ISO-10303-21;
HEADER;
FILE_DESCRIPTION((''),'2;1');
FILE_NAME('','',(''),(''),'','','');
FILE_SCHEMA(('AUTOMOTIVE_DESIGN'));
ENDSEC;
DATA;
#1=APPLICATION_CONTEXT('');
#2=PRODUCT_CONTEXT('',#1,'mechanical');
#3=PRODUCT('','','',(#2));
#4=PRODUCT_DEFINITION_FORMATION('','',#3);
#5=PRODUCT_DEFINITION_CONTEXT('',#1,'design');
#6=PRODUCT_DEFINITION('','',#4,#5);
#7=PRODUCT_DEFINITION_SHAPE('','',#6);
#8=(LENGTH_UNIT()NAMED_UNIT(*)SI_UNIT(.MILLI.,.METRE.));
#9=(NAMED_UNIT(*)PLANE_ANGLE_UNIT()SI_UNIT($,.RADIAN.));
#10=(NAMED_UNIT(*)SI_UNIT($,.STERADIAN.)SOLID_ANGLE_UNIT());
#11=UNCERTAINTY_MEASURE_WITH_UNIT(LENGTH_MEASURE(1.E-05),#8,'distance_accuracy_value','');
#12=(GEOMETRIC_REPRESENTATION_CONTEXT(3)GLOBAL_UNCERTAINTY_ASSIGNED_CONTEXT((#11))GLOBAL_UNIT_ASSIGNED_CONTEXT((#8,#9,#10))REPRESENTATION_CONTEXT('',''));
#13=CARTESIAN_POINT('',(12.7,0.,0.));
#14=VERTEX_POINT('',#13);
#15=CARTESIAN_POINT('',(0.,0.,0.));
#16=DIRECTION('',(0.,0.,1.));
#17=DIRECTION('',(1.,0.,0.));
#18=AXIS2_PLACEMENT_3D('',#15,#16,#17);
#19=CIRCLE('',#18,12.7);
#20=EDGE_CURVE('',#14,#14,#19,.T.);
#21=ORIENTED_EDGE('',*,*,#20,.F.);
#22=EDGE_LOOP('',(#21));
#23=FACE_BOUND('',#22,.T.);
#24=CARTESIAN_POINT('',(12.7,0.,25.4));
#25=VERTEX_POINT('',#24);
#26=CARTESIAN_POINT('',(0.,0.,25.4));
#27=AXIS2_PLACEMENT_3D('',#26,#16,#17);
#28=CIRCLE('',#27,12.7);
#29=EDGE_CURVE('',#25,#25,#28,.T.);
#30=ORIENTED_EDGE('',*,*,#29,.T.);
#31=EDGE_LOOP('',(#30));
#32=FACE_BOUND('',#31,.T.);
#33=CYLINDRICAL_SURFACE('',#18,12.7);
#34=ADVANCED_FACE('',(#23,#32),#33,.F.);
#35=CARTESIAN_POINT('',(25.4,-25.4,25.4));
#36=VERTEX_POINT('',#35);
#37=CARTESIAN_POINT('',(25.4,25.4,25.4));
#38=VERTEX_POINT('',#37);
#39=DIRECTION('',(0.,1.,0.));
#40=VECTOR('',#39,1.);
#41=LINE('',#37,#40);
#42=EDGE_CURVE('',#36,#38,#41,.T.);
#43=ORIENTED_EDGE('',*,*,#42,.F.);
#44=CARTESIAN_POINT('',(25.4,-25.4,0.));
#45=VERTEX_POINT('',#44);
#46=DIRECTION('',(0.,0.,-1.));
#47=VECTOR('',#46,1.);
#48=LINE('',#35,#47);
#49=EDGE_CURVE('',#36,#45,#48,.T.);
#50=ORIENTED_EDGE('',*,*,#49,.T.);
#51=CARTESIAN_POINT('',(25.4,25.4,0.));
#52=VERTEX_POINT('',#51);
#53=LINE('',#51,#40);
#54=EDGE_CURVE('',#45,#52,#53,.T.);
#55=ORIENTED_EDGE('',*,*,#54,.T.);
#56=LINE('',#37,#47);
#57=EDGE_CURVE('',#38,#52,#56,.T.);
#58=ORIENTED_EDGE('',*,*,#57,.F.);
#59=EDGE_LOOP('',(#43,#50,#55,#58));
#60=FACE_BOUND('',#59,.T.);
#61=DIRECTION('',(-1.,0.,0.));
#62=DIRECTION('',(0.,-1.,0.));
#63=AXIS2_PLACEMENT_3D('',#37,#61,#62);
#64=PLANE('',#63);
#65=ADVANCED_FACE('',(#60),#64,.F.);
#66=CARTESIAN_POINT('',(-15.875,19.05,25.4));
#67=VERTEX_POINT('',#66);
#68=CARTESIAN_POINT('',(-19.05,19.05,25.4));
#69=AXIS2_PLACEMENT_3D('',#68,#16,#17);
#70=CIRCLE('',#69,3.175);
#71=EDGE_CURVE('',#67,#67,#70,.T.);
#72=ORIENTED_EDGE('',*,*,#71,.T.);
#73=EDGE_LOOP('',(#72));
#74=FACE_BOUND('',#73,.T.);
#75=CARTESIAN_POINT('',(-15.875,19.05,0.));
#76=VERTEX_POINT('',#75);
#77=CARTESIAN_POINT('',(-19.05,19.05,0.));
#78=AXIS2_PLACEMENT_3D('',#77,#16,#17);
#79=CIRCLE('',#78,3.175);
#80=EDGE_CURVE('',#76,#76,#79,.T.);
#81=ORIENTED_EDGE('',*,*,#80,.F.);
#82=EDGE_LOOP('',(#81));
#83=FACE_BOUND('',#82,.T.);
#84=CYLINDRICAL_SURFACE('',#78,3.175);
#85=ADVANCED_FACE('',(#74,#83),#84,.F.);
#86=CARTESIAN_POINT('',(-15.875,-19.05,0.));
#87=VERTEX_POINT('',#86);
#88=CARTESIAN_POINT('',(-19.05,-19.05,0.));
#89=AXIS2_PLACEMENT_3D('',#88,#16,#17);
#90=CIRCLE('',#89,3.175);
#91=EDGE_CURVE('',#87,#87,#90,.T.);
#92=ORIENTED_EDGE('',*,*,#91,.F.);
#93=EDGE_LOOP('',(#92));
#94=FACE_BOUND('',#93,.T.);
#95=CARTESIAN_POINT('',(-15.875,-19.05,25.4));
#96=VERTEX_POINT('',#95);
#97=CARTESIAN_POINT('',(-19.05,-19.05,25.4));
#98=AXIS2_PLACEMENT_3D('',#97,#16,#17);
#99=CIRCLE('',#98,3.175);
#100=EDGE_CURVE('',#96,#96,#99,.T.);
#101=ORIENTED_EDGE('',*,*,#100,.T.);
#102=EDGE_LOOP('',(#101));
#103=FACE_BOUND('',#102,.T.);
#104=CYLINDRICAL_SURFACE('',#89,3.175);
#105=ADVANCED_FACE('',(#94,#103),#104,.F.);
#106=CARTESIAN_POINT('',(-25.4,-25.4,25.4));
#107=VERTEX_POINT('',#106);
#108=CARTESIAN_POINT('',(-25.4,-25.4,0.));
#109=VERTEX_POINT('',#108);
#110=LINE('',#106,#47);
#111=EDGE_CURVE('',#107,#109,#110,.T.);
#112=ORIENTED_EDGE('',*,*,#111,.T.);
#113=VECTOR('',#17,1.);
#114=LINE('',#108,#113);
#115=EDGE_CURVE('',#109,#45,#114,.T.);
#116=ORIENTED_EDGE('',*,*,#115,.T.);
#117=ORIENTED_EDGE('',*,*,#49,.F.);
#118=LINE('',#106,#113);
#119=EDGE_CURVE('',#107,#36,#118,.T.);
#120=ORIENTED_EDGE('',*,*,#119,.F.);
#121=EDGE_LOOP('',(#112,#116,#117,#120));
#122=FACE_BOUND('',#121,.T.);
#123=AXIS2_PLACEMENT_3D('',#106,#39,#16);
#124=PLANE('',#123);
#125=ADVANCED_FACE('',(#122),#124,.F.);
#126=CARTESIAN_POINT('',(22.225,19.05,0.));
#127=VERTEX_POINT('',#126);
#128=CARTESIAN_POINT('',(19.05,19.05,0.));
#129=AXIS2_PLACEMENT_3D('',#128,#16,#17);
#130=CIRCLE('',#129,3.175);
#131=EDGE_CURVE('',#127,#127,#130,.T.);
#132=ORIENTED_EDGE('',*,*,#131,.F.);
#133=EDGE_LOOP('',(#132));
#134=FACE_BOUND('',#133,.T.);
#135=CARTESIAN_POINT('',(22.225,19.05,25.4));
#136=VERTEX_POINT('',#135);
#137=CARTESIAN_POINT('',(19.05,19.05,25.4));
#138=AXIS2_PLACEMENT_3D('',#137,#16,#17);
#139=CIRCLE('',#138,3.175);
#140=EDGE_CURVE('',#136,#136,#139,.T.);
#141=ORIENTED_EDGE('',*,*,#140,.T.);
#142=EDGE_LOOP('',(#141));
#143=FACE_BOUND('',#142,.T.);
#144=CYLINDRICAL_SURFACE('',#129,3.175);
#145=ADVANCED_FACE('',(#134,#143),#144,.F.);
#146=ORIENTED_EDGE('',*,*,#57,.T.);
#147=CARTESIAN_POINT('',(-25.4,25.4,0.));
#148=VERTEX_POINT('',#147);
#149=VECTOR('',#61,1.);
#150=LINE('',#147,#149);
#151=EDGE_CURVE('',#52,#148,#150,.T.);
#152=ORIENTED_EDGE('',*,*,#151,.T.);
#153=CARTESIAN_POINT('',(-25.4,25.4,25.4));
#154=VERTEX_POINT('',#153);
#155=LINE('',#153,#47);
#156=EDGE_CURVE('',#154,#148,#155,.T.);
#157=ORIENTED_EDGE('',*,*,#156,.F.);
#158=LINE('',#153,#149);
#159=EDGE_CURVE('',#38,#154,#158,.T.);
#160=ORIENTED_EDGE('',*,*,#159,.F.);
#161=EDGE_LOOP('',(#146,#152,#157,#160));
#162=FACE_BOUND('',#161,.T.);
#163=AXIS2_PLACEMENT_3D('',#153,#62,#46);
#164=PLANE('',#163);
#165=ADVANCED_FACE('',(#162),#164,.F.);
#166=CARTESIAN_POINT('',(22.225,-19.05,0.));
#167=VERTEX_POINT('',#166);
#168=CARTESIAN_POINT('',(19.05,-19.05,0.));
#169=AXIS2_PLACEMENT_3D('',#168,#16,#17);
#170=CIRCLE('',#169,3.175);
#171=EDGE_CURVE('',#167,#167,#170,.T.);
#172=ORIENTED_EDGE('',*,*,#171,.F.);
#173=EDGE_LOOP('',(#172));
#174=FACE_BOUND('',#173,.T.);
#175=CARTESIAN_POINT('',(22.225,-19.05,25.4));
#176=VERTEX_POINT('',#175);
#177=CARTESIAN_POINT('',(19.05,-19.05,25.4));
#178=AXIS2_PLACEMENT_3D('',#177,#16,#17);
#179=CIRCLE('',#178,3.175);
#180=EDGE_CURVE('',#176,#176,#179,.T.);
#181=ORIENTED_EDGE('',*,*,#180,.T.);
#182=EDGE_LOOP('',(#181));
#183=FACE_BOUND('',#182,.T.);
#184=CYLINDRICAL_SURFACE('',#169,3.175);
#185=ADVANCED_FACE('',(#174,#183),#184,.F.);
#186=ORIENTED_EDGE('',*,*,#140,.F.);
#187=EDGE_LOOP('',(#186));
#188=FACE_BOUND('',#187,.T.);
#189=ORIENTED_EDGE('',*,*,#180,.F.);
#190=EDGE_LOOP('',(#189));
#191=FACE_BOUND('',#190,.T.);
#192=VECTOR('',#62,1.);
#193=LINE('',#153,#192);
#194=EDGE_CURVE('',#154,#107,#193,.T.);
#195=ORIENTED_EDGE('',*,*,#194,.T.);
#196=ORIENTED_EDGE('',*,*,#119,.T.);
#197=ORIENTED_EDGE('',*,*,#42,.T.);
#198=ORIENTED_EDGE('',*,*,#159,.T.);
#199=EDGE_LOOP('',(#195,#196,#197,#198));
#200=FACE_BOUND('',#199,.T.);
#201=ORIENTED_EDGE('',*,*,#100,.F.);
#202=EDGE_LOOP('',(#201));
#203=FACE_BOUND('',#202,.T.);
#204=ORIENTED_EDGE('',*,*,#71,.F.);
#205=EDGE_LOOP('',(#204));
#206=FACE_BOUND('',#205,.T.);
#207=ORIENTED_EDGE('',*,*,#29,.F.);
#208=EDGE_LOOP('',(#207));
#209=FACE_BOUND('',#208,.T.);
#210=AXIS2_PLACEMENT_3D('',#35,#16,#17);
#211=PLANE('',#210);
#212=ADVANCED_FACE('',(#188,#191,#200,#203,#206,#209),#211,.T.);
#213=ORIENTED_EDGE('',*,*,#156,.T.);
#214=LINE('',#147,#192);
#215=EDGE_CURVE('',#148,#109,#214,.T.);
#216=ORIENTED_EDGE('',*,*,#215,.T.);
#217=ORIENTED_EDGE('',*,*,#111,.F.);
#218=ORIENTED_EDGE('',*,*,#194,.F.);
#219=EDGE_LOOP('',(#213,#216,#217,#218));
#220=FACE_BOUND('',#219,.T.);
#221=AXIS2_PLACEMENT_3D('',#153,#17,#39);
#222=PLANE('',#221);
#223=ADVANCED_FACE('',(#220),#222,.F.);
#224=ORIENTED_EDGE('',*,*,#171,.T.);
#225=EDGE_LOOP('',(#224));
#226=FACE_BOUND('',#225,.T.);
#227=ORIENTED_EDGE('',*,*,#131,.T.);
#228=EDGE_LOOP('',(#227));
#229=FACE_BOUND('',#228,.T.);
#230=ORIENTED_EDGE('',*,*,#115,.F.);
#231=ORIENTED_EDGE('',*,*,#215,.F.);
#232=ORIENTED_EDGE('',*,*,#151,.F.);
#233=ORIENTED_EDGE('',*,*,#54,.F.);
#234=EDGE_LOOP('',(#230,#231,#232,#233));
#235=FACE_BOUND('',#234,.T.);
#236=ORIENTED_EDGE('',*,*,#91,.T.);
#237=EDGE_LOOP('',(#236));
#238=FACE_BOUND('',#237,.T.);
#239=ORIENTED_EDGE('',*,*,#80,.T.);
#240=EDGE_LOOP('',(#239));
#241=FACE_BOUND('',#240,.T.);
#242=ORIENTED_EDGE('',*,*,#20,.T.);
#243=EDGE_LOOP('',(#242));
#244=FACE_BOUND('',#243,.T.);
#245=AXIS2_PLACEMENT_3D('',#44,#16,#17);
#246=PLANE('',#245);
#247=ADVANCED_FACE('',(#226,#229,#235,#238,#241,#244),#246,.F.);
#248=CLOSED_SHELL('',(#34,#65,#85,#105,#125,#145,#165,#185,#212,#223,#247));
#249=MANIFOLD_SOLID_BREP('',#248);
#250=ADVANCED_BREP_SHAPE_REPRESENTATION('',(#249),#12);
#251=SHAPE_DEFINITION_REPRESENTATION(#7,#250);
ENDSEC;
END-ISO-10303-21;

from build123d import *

# Parameters (mm, degrees)
SKETCH4_W           = 50.8
SKETCH4_H           = 50.8
BOSS_EXTRUDE2_DEPTH = 25.4
SKETCH5_R           = 3.175
SKETCH5_R_2         = 12.7
CUT_EXTRUDE5_DEPTH  = 25.4


with BuildPart() as part:
    # Sketch4 → Boss-Extrude2 (new body)
    with BuildSketch(Plane.XY):
        Rectangle(SKETCH4_W, SKETCH4_H)
    extrude(amount=BOSS_EXTRUDE2_DEPTH)

    # Sketch5 → Cut-Extrude5 (cut)
    with BuildSketch(Plane.XY.offset(25.4)):
        with Locations((19.05, 19.05)):
            Circle(SKETCH5_R)
        Circle(SKETCH5_R_2)
        with Locations((-19.05, 19.05)):
            Circle(SKETCH5_R)
        with Locations((19.05, -19.05)):
            Circle(SKETCH5_R)
        with Locations((-19.05, -19.05)):
            Circle(SKETCH5_R)
    extrude(amount=-CUT_EXTRUDE5_DEPTH, mode=Mode.SUBTRACT)


solid = part.part
